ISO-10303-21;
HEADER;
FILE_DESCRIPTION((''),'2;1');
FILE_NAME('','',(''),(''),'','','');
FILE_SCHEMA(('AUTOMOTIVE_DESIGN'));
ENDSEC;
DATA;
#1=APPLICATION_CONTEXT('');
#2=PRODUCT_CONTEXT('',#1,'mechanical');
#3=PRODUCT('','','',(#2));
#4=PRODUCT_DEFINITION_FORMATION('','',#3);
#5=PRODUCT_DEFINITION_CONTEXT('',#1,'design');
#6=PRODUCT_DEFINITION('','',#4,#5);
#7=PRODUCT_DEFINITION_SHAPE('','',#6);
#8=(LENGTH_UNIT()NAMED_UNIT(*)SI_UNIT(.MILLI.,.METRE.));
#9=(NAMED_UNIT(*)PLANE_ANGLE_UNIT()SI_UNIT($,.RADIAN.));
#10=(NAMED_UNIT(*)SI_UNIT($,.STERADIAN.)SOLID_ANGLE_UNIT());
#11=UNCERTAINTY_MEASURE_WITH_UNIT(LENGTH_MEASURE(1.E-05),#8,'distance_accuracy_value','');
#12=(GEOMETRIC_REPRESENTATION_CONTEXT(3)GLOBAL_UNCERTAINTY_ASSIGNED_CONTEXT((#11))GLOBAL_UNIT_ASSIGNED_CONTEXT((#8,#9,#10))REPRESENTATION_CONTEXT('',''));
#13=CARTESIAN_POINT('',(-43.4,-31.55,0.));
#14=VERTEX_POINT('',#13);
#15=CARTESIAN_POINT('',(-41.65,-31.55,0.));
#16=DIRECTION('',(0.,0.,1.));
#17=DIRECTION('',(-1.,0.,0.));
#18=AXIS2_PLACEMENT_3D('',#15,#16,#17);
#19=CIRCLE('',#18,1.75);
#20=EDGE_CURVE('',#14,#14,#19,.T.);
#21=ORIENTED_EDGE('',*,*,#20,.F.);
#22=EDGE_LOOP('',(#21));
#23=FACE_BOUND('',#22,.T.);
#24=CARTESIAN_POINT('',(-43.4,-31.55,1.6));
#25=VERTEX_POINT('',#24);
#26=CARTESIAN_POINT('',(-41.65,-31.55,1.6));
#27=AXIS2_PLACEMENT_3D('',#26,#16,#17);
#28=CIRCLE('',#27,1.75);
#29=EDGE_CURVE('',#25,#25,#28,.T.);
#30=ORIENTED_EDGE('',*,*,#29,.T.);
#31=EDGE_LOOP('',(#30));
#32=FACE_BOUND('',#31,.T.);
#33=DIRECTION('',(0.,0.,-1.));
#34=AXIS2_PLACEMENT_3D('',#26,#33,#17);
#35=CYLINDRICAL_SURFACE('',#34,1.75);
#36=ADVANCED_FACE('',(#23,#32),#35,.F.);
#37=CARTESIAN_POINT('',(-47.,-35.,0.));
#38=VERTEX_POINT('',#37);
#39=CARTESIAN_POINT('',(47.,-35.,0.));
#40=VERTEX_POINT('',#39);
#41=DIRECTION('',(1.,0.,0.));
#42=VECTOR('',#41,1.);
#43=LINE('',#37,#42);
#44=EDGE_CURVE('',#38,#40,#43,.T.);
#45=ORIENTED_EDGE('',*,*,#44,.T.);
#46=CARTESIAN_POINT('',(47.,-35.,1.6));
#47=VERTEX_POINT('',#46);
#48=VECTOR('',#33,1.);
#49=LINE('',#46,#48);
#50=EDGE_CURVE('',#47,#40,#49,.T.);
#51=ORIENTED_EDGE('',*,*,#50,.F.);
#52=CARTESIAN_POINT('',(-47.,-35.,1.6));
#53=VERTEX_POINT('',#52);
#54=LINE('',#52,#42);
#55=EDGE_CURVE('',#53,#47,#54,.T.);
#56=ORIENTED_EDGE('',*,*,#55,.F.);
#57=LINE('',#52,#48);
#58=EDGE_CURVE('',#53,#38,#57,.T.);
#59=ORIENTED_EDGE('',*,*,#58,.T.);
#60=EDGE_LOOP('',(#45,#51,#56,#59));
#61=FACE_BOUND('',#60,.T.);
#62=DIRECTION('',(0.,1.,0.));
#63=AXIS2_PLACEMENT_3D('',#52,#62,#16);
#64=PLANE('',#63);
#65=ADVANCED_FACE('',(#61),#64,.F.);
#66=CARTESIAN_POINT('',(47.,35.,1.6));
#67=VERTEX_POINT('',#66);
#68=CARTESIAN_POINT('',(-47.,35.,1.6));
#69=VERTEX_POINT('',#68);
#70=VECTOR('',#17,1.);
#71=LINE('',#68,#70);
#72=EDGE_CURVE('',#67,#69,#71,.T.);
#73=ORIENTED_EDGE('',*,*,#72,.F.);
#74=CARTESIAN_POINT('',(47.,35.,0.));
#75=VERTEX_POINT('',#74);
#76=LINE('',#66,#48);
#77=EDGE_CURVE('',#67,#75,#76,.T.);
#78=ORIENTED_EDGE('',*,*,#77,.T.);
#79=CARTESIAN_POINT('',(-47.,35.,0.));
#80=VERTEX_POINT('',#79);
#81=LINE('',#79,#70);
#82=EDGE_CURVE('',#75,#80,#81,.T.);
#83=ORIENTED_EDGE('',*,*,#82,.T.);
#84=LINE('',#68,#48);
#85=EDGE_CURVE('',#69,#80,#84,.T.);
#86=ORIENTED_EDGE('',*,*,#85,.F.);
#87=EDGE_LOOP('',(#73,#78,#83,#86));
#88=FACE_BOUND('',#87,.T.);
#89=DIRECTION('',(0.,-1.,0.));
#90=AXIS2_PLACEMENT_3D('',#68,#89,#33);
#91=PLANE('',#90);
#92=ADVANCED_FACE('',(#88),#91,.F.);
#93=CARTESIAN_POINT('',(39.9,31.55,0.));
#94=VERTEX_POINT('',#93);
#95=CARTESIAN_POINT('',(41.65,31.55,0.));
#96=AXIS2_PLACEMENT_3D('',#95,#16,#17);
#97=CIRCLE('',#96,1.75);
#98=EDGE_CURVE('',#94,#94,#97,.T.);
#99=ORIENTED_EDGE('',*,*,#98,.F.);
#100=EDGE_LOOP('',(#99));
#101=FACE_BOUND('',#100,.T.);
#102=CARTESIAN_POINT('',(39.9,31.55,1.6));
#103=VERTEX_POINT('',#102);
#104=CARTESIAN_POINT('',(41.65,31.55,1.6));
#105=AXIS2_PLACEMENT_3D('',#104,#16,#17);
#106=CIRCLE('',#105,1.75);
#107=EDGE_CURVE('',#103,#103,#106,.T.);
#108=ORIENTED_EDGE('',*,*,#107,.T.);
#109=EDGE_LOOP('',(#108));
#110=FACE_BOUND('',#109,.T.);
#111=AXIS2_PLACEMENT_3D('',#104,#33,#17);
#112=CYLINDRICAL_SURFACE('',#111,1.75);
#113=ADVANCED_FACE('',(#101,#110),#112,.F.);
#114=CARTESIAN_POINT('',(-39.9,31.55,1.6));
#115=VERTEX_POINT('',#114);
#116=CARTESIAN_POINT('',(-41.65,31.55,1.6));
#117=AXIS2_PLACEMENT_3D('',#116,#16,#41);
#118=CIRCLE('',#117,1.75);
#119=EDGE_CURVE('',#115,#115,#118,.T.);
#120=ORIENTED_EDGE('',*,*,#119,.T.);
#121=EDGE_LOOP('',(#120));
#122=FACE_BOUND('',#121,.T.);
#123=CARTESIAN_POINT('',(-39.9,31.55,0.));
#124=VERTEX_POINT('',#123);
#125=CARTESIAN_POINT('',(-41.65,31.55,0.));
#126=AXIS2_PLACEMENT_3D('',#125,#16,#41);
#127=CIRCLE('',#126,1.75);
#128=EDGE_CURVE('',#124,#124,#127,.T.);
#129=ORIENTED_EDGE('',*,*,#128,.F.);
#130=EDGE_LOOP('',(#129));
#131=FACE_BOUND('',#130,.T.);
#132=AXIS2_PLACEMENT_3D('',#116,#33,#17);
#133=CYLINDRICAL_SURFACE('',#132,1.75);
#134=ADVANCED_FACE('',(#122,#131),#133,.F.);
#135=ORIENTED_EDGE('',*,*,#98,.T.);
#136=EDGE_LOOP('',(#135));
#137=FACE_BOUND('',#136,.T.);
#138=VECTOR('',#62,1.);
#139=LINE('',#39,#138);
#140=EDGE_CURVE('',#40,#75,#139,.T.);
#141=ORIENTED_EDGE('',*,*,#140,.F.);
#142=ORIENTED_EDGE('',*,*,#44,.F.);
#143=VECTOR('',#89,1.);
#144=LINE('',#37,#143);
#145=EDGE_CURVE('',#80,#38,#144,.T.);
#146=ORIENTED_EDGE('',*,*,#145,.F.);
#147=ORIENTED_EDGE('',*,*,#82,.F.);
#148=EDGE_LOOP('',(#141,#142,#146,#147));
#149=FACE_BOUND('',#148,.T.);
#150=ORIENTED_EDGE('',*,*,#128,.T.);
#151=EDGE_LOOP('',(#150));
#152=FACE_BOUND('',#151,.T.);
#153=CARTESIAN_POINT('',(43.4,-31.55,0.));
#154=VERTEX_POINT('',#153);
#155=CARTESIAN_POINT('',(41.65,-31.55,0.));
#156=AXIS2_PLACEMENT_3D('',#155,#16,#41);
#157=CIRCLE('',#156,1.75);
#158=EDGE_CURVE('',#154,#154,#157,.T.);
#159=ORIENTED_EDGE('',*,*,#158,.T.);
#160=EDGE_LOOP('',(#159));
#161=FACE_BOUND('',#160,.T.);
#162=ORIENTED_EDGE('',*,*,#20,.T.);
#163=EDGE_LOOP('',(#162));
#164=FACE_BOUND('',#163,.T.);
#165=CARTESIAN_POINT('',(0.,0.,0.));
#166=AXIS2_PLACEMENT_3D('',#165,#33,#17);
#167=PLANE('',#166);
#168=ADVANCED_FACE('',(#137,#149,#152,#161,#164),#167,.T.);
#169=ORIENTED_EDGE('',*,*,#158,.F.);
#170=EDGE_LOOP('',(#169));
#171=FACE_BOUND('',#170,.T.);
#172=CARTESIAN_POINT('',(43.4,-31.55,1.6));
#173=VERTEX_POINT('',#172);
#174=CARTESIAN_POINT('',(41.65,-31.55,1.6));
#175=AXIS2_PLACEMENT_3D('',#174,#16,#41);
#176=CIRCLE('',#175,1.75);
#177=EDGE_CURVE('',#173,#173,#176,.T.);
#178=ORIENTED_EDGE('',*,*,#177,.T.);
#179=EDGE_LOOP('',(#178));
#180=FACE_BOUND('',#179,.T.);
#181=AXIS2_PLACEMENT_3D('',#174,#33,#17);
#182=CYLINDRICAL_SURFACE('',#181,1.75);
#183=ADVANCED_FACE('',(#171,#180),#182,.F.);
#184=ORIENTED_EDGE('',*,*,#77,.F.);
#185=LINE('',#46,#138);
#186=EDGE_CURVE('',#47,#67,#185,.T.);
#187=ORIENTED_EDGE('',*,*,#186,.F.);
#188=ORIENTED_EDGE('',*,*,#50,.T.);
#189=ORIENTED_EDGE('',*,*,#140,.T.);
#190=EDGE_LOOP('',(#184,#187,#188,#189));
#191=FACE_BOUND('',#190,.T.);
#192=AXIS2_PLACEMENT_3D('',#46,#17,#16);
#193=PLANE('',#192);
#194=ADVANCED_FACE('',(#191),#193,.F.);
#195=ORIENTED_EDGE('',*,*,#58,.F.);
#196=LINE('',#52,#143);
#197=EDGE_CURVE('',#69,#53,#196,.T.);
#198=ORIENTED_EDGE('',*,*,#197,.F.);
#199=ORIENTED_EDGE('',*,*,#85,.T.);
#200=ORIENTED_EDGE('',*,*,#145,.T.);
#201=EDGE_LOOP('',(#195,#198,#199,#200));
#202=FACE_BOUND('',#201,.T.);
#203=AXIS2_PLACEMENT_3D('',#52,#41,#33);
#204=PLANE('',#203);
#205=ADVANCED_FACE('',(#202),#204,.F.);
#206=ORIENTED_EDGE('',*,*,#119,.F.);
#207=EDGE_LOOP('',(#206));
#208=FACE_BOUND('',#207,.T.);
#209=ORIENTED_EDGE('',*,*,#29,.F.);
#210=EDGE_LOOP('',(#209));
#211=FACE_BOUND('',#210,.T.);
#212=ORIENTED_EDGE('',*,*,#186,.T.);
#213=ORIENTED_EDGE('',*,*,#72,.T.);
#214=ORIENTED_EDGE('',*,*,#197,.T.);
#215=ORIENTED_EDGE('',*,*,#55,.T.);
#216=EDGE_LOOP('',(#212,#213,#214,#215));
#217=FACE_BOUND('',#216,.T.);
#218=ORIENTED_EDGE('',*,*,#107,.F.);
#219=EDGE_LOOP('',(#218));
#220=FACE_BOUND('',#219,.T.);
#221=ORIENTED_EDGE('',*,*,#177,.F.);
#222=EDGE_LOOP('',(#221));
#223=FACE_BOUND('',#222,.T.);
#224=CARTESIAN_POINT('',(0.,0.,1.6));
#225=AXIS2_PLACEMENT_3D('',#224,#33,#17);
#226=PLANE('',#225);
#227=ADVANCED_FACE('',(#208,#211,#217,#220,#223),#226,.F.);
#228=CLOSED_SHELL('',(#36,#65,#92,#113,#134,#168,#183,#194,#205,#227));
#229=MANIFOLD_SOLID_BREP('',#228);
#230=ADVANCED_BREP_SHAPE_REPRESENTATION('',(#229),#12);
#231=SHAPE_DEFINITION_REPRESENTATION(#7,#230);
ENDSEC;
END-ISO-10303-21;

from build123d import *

# Parameters (mm, degrees)
SKETCH1_W           = 94
SKETCH1_H           = 70
SKETCH1_R           = 1.75
BOSS_EXTRUDE1_DEPTH = 1.6


with BuildPart() as part:
    # Sketch1 → Boss-Extrude1 (new body)
    with BuildSketch(Plane.XY):
        Rectangle(SKETCH1_W, SKETCH1_H)
        with Locations((-41.65, 31.55)):
            Circle(SKETCH1_R, mode=Mode.SUBTRACT)
        with Locations(Location((41.65, 31.55, 0), (0, 0, 180))):
            Circle(SKETCH1_R, mode=Mode.SUBTRACT)
        with Locations((41.65, -31.55)):
            Circle(SKETCH1_R, mode=Mode.SUBTRACT)
        with Locations(Location((-41.65, -31.55, 0), (0, 0, 180))):
            Circle(SKETCH1_R, mode=Mode.SUBTRACT)
    extrude(amount=BOSS_EXTRUDE1_DEPTH)


solid = part.part
